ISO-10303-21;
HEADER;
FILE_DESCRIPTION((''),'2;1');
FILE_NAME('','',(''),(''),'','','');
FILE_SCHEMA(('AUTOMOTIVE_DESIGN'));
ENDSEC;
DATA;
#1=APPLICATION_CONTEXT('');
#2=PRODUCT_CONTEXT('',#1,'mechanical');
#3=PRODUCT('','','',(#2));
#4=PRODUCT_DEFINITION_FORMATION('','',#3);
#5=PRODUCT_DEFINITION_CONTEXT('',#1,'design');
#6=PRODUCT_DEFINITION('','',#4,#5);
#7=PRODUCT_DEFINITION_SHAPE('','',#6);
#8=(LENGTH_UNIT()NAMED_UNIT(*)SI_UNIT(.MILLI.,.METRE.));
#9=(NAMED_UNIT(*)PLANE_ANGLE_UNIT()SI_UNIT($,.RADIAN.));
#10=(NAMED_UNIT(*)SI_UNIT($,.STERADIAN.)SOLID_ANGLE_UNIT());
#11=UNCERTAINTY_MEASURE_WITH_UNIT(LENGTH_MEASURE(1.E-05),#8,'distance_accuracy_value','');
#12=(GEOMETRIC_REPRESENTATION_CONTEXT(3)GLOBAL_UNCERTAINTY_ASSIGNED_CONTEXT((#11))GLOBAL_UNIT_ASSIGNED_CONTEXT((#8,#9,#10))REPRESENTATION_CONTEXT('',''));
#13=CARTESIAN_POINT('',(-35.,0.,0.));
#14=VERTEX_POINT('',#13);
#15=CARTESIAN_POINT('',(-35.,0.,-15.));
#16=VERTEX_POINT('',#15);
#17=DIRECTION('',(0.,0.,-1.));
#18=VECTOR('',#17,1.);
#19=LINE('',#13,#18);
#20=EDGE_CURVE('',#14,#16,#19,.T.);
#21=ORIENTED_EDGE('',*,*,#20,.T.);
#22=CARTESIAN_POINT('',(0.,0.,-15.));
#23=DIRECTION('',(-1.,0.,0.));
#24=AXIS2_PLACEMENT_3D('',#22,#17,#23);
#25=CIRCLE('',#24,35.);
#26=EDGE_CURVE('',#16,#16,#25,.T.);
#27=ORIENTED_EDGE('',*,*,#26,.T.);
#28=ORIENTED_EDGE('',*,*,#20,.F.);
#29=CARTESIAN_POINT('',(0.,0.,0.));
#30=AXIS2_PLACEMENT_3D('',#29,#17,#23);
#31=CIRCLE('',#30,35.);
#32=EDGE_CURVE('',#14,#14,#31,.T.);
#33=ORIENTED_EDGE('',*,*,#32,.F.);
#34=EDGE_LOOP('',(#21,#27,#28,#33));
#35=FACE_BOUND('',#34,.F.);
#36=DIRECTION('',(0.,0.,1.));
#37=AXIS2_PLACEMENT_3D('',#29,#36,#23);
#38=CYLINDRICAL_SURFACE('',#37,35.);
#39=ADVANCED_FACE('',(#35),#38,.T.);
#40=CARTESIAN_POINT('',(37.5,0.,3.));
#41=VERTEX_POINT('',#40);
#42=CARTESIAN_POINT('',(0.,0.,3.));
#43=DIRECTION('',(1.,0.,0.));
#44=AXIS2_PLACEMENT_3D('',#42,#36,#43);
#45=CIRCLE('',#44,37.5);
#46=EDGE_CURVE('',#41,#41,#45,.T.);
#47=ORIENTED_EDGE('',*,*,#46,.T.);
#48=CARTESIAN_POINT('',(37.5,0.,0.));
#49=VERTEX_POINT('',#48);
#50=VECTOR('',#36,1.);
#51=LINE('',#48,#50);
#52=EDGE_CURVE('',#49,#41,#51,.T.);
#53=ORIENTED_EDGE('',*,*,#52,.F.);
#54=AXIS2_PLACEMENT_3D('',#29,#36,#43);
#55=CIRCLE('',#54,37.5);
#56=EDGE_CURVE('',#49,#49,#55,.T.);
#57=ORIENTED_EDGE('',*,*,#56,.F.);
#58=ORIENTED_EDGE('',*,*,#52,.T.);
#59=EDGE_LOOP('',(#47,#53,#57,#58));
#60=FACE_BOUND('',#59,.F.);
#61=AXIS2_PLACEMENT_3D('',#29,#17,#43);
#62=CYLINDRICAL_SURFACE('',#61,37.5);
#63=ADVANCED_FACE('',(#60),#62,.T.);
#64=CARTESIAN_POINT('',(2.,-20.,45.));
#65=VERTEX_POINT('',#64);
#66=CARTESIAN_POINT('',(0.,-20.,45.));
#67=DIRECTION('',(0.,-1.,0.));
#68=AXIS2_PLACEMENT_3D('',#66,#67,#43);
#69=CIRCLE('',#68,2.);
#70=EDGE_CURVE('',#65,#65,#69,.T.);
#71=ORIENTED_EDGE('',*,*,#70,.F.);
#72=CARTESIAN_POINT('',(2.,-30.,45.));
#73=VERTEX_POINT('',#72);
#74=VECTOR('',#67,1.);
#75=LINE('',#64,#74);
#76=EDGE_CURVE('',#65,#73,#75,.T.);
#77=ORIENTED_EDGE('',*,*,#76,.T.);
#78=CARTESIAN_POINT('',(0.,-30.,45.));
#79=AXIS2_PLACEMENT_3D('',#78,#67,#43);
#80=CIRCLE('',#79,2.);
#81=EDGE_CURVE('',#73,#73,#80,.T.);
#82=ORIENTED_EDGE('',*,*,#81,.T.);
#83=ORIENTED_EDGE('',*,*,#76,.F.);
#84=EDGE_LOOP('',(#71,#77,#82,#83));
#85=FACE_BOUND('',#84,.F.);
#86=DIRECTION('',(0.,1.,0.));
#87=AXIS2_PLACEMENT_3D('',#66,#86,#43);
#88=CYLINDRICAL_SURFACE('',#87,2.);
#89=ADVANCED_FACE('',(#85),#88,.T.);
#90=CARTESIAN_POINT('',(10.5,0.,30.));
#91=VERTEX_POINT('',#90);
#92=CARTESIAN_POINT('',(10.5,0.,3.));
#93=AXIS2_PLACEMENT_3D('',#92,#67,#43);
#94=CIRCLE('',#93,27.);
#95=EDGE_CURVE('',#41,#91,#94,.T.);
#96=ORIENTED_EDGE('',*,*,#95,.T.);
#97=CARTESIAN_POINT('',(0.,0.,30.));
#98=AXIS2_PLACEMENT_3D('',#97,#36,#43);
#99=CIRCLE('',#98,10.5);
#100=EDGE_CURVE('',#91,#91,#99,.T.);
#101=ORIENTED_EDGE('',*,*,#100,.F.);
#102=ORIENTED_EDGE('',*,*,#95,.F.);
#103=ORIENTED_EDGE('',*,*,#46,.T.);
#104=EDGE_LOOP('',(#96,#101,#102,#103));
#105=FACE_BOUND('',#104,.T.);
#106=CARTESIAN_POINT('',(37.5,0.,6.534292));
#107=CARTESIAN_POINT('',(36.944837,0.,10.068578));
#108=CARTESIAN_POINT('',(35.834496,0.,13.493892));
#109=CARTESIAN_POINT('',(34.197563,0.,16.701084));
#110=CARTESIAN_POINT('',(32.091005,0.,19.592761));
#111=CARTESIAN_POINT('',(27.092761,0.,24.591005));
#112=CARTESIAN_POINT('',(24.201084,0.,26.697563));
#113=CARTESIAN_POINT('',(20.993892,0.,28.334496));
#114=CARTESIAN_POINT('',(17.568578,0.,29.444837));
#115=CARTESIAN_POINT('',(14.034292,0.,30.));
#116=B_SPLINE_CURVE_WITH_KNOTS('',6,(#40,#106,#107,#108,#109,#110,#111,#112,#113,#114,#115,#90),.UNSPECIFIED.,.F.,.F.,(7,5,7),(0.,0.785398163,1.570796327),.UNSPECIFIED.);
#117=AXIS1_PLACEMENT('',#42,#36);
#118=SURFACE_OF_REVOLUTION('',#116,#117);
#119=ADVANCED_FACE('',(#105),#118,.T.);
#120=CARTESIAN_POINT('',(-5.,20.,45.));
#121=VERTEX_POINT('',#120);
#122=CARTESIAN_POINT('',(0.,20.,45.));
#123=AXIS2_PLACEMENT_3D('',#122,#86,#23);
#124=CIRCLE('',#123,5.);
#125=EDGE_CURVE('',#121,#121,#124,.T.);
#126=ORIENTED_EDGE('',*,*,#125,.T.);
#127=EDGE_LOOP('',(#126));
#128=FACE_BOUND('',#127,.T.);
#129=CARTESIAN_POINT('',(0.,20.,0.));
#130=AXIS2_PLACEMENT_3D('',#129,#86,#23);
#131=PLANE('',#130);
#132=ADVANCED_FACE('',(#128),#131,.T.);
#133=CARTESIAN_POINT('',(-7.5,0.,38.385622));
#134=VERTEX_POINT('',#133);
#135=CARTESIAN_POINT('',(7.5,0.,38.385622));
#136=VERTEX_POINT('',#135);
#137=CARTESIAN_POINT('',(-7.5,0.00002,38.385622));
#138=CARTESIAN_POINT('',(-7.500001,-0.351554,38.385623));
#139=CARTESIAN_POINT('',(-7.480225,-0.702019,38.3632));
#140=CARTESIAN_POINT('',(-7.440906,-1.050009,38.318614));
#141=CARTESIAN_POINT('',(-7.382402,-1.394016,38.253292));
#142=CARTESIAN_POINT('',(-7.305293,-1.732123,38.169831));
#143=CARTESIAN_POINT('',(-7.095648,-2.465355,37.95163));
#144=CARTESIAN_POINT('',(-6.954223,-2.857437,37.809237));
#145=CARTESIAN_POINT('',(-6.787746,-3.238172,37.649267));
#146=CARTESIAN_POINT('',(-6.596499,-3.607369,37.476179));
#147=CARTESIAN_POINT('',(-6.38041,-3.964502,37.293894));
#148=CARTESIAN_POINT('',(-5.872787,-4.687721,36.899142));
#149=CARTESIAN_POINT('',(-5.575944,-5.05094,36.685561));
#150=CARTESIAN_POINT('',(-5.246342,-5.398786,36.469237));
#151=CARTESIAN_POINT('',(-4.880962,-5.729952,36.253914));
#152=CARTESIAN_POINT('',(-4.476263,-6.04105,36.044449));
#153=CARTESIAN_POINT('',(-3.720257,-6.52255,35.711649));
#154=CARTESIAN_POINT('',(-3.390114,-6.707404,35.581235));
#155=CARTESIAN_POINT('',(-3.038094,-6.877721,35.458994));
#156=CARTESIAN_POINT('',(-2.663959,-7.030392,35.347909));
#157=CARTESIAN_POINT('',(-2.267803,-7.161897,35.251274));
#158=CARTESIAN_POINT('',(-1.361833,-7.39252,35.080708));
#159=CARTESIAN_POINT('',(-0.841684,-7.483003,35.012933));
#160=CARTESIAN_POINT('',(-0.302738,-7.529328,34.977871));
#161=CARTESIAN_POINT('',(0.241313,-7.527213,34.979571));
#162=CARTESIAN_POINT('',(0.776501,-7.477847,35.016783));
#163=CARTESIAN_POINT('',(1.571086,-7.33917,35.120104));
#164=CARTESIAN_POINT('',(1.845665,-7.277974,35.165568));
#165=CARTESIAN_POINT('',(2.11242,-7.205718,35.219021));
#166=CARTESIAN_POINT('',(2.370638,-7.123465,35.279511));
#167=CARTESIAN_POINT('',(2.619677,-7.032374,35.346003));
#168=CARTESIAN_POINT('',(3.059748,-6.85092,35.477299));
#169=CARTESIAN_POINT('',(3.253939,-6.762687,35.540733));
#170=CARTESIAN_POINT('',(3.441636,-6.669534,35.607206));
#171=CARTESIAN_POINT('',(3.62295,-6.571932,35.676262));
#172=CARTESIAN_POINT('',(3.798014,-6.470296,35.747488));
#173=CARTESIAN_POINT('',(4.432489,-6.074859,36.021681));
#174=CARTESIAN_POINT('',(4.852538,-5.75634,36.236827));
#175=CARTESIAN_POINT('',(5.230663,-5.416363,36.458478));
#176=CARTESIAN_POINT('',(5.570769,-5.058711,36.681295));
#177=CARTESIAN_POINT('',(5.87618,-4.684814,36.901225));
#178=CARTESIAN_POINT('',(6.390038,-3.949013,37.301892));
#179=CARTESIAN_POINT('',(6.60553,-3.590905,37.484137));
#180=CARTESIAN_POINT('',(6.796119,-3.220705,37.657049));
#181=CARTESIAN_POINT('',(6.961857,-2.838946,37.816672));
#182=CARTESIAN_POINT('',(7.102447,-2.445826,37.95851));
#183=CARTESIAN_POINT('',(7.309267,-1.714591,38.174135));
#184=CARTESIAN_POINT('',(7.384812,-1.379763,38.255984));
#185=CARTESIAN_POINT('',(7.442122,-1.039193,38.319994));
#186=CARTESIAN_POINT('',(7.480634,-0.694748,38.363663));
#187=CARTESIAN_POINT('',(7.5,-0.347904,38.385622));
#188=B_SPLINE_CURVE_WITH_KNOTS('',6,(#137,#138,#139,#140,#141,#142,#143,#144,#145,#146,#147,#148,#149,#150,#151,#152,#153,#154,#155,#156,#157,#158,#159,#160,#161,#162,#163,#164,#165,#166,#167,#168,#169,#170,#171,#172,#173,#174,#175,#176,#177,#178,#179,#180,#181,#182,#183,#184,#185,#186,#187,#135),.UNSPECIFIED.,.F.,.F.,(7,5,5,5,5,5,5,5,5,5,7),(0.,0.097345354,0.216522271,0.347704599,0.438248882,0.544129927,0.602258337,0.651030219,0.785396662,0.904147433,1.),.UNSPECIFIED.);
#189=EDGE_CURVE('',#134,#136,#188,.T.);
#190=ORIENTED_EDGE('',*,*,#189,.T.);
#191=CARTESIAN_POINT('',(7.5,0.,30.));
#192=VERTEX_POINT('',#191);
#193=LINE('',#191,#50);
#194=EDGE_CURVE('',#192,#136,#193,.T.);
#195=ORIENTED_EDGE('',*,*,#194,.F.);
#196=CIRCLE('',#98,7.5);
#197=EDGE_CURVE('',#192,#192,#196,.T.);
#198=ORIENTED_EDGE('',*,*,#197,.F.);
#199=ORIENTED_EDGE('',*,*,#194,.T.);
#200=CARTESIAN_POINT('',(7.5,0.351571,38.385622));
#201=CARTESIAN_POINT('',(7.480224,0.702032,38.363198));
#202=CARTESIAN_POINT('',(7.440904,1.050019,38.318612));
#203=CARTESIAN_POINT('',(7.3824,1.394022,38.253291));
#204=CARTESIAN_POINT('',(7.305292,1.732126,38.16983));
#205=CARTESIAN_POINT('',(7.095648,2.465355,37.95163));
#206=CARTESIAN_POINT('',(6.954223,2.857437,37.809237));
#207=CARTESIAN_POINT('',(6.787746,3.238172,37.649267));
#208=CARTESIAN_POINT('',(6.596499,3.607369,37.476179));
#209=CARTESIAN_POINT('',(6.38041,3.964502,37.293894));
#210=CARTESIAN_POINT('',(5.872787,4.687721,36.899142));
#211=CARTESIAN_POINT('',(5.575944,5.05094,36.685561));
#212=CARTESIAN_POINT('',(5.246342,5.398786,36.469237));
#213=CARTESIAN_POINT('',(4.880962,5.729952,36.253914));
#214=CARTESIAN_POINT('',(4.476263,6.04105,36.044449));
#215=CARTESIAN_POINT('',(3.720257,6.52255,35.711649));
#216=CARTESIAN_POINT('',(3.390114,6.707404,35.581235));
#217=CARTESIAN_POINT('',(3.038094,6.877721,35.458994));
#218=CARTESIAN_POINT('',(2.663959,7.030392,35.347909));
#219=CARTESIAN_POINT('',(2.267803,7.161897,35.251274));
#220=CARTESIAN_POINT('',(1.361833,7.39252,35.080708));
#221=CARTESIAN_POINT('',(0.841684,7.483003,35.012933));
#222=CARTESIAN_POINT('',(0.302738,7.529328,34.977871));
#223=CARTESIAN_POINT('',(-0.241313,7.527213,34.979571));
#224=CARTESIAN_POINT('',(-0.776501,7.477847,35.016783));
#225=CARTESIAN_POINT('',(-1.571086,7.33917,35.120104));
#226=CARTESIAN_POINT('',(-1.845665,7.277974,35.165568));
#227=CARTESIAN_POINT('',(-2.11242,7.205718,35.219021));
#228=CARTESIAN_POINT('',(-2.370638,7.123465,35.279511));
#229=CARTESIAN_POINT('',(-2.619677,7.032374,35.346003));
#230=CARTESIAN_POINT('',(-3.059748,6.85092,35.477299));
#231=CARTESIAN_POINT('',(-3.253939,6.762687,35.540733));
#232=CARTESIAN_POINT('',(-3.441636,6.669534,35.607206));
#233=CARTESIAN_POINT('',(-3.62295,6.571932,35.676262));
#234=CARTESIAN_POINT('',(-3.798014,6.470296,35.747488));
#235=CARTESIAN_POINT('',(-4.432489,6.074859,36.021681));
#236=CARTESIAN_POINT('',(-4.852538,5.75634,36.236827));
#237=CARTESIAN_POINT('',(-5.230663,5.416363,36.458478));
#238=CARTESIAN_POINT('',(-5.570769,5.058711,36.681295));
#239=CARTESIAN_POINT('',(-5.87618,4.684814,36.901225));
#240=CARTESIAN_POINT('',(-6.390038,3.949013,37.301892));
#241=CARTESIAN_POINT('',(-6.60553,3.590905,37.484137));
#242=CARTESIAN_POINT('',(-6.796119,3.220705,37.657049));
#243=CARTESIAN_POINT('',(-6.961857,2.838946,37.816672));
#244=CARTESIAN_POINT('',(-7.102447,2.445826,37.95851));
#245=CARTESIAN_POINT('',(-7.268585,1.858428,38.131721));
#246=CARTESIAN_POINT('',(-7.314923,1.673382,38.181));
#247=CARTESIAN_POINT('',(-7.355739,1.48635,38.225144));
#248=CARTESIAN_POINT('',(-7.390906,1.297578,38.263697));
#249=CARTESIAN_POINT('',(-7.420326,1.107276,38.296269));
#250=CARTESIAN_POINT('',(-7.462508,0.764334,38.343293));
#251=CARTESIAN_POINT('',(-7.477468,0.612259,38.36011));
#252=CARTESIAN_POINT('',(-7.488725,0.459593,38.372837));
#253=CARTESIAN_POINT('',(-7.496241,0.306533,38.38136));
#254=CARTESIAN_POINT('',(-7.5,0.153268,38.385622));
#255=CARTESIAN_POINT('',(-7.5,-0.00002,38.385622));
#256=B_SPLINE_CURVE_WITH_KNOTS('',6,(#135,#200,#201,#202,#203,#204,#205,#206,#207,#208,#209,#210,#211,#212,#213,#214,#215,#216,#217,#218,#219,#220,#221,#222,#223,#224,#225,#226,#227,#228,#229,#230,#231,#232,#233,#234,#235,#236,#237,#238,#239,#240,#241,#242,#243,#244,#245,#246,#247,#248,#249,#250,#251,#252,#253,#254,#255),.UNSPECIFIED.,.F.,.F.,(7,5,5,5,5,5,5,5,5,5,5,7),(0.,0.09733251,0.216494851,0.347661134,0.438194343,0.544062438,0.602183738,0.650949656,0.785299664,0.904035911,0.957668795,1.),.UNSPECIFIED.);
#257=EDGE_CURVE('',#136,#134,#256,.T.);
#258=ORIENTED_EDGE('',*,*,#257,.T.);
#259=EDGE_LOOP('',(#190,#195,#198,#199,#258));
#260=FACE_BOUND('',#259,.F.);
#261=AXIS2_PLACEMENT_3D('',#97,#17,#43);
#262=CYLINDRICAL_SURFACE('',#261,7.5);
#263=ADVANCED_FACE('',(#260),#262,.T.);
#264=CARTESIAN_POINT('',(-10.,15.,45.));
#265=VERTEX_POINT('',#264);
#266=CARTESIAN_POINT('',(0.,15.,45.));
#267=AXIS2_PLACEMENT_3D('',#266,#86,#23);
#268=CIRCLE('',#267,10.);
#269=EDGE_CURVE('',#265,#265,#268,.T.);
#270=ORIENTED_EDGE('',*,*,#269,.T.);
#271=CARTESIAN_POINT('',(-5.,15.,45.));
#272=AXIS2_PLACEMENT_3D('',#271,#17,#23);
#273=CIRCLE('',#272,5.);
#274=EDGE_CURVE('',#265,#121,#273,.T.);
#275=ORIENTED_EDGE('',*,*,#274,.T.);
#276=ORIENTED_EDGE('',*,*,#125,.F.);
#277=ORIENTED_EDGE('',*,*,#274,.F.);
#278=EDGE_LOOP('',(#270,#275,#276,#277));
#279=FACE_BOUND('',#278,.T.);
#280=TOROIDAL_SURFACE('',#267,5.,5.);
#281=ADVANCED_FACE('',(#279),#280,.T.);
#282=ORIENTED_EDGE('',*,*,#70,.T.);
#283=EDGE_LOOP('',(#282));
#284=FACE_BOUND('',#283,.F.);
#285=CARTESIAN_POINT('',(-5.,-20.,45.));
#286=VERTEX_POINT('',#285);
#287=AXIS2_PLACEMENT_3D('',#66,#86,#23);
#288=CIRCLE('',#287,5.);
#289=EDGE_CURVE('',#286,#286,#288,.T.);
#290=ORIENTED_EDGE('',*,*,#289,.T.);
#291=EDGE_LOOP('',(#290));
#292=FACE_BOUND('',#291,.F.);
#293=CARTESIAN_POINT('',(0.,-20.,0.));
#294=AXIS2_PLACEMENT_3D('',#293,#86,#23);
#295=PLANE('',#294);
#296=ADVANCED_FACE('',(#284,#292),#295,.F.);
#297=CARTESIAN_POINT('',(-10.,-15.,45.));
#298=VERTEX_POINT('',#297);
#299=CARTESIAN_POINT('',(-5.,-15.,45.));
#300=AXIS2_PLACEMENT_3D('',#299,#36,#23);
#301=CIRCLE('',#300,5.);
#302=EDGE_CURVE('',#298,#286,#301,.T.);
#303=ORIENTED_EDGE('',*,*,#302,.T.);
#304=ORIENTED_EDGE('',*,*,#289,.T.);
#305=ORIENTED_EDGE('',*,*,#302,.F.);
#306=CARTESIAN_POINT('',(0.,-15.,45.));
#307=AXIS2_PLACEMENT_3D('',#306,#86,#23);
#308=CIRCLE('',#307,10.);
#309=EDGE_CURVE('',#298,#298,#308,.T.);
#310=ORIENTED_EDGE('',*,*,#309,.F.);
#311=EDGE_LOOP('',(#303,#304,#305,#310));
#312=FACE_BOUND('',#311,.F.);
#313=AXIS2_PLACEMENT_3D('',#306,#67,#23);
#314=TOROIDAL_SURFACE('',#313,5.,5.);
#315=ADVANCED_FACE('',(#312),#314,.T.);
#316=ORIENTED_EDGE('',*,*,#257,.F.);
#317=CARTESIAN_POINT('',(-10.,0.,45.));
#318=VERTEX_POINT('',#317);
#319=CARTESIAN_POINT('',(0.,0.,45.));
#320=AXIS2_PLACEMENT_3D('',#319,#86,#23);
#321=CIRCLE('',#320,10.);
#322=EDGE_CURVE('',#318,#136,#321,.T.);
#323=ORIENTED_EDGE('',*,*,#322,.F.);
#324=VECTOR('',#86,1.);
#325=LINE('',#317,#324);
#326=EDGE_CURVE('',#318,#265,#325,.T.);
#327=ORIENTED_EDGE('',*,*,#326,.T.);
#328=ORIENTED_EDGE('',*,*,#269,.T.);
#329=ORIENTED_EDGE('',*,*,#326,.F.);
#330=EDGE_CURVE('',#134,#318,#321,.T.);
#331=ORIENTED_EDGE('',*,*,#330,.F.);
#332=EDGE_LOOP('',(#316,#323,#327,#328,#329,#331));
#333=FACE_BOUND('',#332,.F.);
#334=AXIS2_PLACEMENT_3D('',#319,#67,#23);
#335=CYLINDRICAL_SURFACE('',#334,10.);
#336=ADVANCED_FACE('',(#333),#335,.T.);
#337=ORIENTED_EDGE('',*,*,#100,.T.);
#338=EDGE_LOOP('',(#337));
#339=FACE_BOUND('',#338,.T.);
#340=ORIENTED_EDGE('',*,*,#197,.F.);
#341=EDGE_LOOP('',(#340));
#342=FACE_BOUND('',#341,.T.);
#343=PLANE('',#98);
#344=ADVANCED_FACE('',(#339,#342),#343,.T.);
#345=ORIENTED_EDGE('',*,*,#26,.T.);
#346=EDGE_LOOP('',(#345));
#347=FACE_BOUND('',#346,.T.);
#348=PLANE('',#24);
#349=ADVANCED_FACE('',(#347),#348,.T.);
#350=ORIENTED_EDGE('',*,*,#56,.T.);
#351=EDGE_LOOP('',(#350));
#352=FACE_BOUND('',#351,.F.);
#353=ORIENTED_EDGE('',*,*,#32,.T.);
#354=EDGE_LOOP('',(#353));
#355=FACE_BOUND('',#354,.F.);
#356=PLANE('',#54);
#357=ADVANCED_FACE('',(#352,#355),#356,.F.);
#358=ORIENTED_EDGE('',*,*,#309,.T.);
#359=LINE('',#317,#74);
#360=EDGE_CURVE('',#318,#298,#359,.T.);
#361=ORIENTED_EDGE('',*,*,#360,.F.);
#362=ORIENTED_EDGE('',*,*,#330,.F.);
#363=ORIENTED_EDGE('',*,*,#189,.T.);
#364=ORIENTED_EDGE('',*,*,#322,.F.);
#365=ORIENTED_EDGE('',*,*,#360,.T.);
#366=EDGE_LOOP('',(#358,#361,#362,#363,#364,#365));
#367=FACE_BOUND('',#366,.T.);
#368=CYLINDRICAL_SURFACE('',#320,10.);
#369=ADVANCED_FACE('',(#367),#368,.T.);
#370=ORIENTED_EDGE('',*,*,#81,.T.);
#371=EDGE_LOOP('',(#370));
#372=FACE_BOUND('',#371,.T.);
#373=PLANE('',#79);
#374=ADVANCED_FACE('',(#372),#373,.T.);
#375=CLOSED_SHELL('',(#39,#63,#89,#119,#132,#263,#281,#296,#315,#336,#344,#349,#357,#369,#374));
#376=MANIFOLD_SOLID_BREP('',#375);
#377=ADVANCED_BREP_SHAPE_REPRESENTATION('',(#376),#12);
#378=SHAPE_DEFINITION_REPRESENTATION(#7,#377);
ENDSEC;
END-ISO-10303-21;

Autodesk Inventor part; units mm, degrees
ref_plane "YZ Plane" through (0, 0, 0) normal (1, 0, 0) x (0, 1, 0)
ref_plane "XZ Plane" through (0, 0, 0) normal (0, 1, 0) x (-1, 0, 0)
ref_plane "XY Plane" through (0, 0, 0) normal (0, 0, 1) x (1, 0, 0)
sketch "Sketch1" plane through (0, 0, 0) normal (0, 0, 1) x (1, 0, 0)
  circle A0 centre (0, 0) radius 37.5
  dimension "d0" = 75
extrude "Extrusion1" add sketch "Sketch1" along normal blind 30
sketch "Sketch2" plane through (0, 0, 30) normal (0, 0, 1) x (1, 0, 0)
  circle A0 centre (0, 0) radius 7.5
  dimension "d3" = 15
extrude "Extrusion2" add sketch "Sketch2" along normal blind 20
fillet "Fillet1" radius 27 1 edges at (-37.5, 0, 30)
sketch "Sketch3" plane through (0, 0, 0) normal (0, 0, -1) x (-1, 0, 0)
  circle A0 centre (0, 0) radius 35
  dimension "d7" = 70
extrude "Extrusion3" add sketch "Sketch3" along normal blind 15
sketch "Sketch7" plane through (0, 0, 0) normal (0, 1, 0) x (-1, 0, 0)
  circle A0 centre (0, 45) radius 10
  point P0 (0, 0)
  dimension "d22" = 20
extrude "Extrusion7" add sketch "Sketch7" along normal mid plane 40
sketch "Sketch8" plane through (0, -20, 45) normal (0, -1, 0) x (1, 0, 0)
  circle A0 centre (0, 0) radius 10 projected
  circle A1 centre (0, 0) radius 2
  point P0 (0, -45)
  dimension "d25" = 4
extrude "Extrusion8" add sketch "Sketch8" along normal blind 10 contours A1
fillet "Fillet3" radius 5 2 edges at (10, 20, 45) (10, -20, 45)
properties part number "tapa gas"
